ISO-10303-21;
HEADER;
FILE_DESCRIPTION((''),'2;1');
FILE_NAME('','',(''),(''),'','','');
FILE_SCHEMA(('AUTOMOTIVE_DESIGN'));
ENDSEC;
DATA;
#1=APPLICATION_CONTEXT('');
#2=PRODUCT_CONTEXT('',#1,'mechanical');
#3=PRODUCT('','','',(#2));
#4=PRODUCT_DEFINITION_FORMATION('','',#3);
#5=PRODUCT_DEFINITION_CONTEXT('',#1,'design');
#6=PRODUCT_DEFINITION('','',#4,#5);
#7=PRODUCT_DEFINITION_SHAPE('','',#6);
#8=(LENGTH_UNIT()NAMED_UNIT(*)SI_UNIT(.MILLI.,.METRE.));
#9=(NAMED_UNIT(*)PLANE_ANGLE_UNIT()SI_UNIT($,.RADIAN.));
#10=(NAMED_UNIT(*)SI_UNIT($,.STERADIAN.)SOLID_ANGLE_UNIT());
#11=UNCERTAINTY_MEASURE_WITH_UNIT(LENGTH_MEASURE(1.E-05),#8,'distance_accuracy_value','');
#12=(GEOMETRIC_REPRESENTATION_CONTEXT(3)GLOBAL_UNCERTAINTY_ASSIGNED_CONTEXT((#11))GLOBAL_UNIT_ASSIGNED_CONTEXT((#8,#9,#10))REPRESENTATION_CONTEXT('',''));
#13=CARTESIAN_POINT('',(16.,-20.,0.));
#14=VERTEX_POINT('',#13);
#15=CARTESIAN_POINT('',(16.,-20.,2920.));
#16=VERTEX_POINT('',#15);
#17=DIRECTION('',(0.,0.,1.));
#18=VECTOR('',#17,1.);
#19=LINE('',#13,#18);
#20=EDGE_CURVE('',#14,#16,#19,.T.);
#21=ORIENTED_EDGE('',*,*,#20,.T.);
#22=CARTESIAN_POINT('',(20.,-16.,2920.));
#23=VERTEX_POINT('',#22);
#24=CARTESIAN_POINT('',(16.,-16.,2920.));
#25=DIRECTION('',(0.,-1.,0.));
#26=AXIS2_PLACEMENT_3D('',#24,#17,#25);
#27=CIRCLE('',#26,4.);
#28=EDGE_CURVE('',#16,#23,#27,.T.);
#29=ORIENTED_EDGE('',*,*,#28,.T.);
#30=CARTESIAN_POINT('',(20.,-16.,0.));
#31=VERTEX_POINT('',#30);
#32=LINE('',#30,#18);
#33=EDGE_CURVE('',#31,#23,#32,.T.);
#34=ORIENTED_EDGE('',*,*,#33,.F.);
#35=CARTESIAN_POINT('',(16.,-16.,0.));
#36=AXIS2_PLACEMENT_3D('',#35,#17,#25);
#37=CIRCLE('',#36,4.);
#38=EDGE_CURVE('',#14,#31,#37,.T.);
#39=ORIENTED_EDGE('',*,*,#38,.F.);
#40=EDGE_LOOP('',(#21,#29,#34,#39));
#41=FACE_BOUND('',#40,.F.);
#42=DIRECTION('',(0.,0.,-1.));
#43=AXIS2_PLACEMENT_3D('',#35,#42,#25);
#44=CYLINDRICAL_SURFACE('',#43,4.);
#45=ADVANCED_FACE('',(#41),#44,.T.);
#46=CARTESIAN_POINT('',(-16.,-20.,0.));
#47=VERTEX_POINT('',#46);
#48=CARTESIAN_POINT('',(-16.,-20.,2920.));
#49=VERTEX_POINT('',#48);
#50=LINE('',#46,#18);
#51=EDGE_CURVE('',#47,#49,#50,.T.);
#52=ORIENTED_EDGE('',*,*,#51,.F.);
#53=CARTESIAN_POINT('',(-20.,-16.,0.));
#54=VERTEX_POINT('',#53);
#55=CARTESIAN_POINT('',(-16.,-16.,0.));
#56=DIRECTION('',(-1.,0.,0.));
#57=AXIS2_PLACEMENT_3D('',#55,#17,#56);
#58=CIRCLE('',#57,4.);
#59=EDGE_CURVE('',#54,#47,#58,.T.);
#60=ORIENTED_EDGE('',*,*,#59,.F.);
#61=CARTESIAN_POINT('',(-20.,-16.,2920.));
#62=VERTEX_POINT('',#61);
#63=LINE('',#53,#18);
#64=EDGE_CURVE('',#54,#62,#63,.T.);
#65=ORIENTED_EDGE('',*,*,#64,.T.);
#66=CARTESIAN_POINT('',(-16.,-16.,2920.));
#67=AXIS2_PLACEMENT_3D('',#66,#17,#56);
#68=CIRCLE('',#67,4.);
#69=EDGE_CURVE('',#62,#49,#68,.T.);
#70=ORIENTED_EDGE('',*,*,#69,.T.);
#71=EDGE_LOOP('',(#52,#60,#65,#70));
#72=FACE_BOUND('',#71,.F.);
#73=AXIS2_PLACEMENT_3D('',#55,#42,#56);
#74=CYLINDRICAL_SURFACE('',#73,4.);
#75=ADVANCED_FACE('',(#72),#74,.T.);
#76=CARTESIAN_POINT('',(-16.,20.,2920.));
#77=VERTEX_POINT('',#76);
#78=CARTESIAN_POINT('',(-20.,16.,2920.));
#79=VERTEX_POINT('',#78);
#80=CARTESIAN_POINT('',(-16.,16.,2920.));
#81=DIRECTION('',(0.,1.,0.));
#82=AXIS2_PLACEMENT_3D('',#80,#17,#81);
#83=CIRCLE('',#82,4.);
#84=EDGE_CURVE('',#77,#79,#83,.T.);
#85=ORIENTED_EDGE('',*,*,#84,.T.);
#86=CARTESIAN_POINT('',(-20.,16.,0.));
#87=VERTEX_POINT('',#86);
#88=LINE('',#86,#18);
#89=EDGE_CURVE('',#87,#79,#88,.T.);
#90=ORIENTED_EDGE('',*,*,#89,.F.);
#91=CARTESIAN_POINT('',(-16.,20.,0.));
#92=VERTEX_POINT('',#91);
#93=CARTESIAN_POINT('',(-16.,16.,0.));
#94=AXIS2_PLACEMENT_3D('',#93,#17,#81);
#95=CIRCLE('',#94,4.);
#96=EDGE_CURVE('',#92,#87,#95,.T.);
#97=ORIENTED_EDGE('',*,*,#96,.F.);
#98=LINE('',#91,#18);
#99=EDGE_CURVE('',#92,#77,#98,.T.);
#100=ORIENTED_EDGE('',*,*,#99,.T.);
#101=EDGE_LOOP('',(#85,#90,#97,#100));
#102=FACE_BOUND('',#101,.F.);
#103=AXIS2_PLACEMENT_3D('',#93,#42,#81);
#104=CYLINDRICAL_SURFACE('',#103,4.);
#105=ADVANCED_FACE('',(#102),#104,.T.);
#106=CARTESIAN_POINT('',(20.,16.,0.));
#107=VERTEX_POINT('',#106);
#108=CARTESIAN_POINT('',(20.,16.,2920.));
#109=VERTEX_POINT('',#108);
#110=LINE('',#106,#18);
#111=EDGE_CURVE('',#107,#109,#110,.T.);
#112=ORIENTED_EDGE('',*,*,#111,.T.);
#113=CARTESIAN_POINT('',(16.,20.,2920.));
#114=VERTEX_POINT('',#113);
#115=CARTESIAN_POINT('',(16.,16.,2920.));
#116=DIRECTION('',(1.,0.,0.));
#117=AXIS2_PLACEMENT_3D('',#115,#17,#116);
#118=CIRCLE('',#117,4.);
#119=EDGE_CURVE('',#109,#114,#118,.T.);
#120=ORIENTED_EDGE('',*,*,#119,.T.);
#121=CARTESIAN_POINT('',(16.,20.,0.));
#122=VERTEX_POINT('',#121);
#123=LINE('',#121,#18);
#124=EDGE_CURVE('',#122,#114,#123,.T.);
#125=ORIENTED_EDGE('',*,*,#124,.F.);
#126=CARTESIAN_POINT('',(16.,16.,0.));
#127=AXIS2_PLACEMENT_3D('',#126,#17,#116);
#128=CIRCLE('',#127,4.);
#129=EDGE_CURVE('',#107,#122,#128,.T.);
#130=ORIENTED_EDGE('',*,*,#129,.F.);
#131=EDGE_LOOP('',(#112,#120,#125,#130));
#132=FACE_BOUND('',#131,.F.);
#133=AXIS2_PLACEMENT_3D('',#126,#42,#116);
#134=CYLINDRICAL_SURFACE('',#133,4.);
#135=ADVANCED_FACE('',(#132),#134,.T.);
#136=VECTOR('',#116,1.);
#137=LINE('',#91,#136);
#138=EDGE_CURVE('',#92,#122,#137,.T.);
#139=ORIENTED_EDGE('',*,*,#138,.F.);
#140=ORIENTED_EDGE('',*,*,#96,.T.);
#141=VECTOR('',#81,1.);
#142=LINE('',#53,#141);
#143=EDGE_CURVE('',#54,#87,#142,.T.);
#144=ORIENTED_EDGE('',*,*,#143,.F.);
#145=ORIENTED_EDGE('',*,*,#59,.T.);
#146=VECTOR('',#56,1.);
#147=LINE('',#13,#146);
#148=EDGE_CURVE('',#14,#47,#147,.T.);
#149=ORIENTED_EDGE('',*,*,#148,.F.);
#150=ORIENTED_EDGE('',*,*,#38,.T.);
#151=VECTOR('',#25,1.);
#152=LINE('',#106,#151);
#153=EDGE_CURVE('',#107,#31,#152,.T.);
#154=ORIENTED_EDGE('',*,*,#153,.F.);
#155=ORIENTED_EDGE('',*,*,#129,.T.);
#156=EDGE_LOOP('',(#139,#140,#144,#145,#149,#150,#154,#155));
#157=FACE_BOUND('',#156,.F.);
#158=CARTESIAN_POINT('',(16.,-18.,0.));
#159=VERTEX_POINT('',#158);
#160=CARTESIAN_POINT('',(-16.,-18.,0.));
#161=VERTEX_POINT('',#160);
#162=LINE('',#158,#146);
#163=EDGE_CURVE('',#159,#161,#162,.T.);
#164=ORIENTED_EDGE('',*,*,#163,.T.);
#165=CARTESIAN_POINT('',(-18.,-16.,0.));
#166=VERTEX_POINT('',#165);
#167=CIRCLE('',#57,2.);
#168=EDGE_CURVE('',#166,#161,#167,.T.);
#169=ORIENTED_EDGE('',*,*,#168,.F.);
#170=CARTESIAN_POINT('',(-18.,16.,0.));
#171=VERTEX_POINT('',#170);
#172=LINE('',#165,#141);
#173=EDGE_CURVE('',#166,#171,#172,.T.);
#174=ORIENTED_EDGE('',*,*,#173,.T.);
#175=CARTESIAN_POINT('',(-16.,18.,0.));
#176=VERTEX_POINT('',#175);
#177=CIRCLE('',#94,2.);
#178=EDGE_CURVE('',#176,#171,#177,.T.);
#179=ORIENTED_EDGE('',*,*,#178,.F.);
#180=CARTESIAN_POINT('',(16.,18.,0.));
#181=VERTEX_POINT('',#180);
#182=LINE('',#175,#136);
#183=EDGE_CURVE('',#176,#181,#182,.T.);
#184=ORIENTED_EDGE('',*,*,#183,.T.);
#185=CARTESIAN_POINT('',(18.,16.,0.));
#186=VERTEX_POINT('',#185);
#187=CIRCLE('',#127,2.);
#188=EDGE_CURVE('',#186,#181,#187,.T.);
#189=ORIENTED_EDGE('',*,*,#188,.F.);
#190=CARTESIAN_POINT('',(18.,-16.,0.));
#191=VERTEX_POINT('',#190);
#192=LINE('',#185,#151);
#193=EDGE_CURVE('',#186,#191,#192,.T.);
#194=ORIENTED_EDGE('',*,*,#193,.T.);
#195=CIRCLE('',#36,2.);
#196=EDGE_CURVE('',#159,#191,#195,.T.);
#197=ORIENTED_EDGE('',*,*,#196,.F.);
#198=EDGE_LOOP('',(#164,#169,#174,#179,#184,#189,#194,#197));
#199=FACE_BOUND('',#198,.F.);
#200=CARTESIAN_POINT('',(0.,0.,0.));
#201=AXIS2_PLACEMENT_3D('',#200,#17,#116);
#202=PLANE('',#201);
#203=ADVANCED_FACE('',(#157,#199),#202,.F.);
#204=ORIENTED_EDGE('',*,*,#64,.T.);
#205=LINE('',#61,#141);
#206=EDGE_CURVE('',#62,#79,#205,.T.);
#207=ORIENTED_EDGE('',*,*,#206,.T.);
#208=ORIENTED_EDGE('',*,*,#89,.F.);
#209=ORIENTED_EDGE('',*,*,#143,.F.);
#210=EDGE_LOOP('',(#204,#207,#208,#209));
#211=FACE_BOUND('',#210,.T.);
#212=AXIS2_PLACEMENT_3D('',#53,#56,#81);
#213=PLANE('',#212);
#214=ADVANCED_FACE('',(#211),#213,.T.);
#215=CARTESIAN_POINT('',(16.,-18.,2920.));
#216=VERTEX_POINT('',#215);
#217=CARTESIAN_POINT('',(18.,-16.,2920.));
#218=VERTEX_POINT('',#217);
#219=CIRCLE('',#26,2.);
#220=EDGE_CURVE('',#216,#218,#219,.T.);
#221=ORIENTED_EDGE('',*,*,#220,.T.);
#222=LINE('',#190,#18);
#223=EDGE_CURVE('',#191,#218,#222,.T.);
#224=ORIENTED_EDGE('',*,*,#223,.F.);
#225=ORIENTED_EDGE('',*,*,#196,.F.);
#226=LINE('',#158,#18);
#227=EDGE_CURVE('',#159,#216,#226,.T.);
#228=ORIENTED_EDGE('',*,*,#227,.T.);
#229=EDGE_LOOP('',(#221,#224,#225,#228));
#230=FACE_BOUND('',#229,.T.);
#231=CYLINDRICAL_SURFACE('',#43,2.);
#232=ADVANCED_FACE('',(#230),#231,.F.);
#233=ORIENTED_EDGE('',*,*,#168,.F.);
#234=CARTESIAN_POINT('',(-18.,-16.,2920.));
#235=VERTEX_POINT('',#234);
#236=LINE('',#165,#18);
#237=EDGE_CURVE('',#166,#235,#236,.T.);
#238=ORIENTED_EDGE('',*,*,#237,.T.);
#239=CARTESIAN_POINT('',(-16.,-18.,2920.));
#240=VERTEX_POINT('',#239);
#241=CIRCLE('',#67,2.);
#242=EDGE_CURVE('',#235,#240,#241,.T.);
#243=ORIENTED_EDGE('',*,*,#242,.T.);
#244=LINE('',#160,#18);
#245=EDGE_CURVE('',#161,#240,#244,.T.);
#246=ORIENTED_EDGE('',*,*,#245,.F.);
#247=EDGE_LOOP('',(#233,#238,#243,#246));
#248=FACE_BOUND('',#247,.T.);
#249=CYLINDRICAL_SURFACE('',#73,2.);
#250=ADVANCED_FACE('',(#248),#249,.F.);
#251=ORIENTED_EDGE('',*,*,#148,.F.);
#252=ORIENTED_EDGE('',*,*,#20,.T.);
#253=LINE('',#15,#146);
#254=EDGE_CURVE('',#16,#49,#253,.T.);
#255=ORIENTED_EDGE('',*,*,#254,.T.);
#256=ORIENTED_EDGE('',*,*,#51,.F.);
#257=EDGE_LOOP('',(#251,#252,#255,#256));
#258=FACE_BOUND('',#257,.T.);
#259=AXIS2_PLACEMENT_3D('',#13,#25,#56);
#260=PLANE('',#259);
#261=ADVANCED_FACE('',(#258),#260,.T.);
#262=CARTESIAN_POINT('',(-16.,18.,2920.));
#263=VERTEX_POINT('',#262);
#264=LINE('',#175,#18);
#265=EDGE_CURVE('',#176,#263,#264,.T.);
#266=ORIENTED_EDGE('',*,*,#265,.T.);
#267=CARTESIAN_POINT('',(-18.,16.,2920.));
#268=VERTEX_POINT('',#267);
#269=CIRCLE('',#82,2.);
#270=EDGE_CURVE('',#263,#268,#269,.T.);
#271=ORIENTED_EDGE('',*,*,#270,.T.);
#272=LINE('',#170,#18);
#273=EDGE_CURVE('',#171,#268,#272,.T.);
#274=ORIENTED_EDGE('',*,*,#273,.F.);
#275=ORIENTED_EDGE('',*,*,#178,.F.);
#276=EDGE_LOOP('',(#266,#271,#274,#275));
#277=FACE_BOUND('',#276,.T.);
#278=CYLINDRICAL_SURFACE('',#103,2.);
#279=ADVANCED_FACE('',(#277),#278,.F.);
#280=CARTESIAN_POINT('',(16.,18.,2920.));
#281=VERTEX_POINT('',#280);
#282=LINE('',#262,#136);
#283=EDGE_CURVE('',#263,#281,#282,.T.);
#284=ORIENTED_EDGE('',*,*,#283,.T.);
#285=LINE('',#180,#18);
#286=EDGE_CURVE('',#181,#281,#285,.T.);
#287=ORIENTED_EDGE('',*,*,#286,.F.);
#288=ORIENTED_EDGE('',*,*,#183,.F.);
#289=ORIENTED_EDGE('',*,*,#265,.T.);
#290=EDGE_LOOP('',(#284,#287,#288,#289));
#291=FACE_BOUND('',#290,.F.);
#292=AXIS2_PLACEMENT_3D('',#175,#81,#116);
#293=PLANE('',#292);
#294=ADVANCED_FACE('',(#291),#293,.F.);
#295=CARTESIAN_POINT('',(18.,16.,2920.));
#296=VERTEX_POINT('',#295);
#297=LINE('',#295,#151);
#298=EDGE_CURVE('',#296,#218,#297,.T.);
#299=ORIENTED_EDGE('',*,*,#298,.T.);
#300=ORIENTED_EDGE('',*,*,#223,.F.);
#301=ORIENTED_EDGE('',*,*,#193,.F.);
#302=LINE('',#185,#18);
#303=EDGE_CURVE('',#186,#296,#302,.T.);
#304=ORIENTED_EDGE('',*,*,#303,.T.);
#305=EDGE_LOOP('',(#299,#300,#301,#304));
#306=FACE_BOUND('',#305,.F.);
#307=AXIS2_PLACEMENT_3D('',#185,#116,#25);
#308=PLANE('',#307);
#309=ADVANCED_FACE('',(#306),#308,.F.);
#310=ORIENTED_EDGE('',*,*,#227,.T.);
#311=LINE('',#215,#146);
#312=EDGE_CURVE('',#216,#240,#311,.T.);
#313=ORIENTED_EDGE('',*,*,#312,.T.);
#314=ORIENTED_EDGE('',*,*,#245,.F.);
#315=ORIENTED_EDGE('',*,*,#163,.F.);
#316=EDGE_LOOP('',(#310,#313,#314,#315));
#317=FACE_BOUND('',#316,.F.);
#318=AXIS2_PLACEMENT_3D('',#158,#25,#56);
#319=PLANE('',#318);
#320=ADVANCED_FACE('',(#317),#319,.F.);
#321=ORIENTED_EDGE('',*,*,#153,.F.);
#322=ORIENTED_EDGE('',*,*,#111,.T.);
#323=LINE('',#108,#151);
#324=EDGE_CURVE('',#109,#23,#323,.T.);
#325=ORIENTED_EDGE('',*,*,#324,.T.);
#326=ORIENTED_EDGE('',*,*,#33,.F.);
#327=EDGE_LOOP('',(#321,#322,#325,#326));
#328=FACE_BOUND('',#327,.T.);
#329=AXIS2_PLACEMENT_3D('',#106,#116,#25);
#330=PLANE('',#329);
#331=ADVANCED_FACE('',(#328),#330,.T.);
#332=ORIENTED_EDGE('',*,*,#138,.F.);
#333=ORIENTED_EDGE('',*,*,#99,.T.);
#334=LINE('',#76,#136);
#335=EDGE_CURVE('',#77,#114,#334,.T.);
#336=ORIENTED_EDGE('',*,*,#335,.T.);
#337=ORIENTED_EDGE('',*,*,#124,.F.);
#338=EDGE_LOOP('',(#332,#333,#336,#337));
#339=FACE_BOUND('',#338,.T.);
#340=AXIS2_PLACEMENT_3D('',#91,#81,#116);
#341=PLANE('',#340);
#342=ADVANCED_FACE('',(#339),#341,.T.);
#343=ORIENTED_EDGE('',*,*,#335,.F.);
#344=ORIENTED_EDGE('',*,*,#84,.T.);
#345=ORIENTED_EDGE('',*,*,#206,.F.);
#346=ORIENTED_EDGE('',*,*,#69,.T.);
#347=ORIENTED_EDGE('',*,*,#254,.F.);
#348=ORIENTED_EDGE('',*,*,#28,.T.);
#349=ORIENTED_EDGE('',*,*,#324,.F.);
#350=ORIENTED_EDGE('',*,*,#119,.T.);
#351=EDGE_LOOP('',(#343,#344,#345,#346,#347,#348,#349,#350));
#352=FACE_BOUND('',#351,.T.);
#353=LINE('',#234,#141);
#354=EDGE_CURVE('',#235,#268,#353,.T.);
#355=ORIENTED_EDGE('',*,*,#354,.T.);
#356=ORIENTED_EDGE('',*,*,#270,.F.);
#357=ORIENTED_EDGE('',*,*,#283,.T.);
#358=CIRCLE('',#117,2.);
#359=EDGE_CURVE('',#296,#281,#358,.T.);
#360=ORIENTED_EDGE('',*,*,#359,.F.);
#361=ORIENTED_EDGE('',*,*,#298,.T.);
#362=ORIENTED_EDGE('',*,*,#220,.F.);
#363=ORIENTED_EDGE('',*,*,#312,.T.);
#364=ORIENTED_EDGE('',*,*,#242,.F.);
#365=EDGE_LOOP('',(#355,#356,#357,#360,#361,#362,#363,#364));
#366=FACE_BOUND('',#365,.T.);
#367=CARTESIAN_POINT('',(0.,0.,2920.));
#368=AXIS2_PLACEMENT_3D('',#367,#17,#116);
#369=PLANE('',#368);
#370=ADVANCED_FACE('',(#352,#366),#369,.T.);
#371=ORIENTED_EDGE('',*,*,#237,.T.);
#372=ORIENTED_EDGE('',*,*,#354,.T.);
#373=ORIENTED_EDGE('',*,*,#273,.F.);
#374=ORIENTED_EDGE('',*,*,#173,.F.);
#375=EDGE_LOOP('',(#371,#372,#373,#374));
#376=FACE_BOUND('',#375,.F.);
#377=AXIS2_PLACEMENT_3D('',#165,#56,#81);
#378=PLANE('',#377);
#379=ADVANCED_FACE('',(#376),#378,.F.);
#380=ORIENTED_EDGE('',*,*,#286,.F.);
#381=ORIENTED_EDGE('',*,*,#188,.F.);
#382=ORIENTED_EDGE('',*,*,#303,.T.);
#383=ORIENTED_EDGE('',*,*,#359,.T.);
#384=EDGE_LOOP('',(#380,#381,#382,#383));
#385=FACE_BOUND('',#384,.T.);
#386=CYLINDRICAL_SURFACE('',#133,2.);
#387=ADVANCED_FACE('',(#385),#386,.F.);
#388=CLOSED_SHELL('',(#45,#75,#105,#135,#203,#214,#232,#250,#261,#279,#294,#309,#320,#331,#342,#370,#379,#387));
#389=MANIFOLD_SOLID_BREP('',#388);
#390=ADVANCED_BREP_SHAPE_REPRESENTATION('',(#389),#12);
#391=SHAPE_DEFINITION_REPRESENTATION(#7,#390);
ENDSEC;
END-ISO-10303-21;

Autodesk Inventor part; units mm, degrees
ref_plane "YZ Plane" through (0, 0, 0) normal (1, 0, 0) x (0, 1, 0)
ref_plane "Start Plane" through (0, 0, 0) normal (0, 0, 1) x (1, 0, 0)
ref_plane "End Plane" through (0, 0, 2920) normal (0, 0, 1) x (1, 0, 0)
sketch "Sketch" plane through (0, 0, 0) normal (0, 0, 1) x (1, 0, 0)
  line L0 (-20, -16) -> (-20, 16)
  line L1 (-16, 20) -> (16, 20)
  line L2 (20, 16) -> (20, -16)
  line L3 (16, -20) -> (-16, -20)
  arc A0 (-20, -16) -> (-16, -20) centre (-16, -16) ccw
  arc A1 (20, 16) -> (16, 20) centre (16, 16) ccw
  arc A2 (-16, 20) -> (-20, 16) centre (-16, 16) ccw
  arc A3 (16, -20) -> (20, -16) centre (16, -16) ccw
  arc A4 (-16, 18) -> (-18, 16) centre (-16, 16) ccw
  line L4 (-16, 18) -> (16, 18)
  arc A5 (18, 16) -> (16, 18) centre (16, 16) ccw
  line L5 (18, 16) -> (18, -16)
  arc A6 (16, -18) -> (18, -16) centre (16, -16) ccw
  line L6 (16, -18) -> (-16, -18)
  arc A7 (-18, -16) -> (-16, -18) centre (-16, -16) ccw
  line L7 (-18, -16) -> (-18, 16)
  line L8 (0, 29.1598) -> (0, -29.1598) construction
  line L9 (-29.1598, 0) -> (29.1598, 0) construction
  dimension "d7" = 4
  dimension "d9" = 40
  dimension "d11" = 40
  dimension "d12" = 2
  dimension "d15" = 20
  dimension "d16" = 20
extrude "Body" add sketch "Sketch" along normal up to surface (2920 mm away) from surface at 0
sketch "Sketch3" plane through (0, 0, 0) normal (0, 0, 1) x (1, 0, 0)
  line L0 (0, 0) -> (10, 0)
ref_plane "Work Plane3" through (0, 0, 0) normal (0, -1, 0) x (1, 0, 0)
sketch "Sketch4" plane through (0, 0, 0) normal (0, -1, 0) x (1, 0, 0)
  line L0 (-2, 0) -> (12, 0) projected
  line L1 (-2, 2920) -> (12, 2920) projected
  dimension "d18" = 2920
equation "\"d7\" = G_IR"
equation "\"d9\" = G_W"
equation "\"d11\" = G_H"
equation "\"d12\" = G_T"
equation "\"d15\" = 0.5 * d9"
equation "\"d16\" = 0.5 * d11"
equation "\"d3\" = G_L"
equation "\"G_W\" = 40"
equation "\"G_H\" = 40"
equation "\"G_T\" = 2"
equation "\"G_IR\" = 4"
equation "\"G_L\" = d18"
equation "\"G_OFFSET_START\" = 0"
equation "\"G_OFFSET_END\" = 0"
properties part number "ISO 4019 - 40x40x2 - 2920" material "Steel, Mild"
